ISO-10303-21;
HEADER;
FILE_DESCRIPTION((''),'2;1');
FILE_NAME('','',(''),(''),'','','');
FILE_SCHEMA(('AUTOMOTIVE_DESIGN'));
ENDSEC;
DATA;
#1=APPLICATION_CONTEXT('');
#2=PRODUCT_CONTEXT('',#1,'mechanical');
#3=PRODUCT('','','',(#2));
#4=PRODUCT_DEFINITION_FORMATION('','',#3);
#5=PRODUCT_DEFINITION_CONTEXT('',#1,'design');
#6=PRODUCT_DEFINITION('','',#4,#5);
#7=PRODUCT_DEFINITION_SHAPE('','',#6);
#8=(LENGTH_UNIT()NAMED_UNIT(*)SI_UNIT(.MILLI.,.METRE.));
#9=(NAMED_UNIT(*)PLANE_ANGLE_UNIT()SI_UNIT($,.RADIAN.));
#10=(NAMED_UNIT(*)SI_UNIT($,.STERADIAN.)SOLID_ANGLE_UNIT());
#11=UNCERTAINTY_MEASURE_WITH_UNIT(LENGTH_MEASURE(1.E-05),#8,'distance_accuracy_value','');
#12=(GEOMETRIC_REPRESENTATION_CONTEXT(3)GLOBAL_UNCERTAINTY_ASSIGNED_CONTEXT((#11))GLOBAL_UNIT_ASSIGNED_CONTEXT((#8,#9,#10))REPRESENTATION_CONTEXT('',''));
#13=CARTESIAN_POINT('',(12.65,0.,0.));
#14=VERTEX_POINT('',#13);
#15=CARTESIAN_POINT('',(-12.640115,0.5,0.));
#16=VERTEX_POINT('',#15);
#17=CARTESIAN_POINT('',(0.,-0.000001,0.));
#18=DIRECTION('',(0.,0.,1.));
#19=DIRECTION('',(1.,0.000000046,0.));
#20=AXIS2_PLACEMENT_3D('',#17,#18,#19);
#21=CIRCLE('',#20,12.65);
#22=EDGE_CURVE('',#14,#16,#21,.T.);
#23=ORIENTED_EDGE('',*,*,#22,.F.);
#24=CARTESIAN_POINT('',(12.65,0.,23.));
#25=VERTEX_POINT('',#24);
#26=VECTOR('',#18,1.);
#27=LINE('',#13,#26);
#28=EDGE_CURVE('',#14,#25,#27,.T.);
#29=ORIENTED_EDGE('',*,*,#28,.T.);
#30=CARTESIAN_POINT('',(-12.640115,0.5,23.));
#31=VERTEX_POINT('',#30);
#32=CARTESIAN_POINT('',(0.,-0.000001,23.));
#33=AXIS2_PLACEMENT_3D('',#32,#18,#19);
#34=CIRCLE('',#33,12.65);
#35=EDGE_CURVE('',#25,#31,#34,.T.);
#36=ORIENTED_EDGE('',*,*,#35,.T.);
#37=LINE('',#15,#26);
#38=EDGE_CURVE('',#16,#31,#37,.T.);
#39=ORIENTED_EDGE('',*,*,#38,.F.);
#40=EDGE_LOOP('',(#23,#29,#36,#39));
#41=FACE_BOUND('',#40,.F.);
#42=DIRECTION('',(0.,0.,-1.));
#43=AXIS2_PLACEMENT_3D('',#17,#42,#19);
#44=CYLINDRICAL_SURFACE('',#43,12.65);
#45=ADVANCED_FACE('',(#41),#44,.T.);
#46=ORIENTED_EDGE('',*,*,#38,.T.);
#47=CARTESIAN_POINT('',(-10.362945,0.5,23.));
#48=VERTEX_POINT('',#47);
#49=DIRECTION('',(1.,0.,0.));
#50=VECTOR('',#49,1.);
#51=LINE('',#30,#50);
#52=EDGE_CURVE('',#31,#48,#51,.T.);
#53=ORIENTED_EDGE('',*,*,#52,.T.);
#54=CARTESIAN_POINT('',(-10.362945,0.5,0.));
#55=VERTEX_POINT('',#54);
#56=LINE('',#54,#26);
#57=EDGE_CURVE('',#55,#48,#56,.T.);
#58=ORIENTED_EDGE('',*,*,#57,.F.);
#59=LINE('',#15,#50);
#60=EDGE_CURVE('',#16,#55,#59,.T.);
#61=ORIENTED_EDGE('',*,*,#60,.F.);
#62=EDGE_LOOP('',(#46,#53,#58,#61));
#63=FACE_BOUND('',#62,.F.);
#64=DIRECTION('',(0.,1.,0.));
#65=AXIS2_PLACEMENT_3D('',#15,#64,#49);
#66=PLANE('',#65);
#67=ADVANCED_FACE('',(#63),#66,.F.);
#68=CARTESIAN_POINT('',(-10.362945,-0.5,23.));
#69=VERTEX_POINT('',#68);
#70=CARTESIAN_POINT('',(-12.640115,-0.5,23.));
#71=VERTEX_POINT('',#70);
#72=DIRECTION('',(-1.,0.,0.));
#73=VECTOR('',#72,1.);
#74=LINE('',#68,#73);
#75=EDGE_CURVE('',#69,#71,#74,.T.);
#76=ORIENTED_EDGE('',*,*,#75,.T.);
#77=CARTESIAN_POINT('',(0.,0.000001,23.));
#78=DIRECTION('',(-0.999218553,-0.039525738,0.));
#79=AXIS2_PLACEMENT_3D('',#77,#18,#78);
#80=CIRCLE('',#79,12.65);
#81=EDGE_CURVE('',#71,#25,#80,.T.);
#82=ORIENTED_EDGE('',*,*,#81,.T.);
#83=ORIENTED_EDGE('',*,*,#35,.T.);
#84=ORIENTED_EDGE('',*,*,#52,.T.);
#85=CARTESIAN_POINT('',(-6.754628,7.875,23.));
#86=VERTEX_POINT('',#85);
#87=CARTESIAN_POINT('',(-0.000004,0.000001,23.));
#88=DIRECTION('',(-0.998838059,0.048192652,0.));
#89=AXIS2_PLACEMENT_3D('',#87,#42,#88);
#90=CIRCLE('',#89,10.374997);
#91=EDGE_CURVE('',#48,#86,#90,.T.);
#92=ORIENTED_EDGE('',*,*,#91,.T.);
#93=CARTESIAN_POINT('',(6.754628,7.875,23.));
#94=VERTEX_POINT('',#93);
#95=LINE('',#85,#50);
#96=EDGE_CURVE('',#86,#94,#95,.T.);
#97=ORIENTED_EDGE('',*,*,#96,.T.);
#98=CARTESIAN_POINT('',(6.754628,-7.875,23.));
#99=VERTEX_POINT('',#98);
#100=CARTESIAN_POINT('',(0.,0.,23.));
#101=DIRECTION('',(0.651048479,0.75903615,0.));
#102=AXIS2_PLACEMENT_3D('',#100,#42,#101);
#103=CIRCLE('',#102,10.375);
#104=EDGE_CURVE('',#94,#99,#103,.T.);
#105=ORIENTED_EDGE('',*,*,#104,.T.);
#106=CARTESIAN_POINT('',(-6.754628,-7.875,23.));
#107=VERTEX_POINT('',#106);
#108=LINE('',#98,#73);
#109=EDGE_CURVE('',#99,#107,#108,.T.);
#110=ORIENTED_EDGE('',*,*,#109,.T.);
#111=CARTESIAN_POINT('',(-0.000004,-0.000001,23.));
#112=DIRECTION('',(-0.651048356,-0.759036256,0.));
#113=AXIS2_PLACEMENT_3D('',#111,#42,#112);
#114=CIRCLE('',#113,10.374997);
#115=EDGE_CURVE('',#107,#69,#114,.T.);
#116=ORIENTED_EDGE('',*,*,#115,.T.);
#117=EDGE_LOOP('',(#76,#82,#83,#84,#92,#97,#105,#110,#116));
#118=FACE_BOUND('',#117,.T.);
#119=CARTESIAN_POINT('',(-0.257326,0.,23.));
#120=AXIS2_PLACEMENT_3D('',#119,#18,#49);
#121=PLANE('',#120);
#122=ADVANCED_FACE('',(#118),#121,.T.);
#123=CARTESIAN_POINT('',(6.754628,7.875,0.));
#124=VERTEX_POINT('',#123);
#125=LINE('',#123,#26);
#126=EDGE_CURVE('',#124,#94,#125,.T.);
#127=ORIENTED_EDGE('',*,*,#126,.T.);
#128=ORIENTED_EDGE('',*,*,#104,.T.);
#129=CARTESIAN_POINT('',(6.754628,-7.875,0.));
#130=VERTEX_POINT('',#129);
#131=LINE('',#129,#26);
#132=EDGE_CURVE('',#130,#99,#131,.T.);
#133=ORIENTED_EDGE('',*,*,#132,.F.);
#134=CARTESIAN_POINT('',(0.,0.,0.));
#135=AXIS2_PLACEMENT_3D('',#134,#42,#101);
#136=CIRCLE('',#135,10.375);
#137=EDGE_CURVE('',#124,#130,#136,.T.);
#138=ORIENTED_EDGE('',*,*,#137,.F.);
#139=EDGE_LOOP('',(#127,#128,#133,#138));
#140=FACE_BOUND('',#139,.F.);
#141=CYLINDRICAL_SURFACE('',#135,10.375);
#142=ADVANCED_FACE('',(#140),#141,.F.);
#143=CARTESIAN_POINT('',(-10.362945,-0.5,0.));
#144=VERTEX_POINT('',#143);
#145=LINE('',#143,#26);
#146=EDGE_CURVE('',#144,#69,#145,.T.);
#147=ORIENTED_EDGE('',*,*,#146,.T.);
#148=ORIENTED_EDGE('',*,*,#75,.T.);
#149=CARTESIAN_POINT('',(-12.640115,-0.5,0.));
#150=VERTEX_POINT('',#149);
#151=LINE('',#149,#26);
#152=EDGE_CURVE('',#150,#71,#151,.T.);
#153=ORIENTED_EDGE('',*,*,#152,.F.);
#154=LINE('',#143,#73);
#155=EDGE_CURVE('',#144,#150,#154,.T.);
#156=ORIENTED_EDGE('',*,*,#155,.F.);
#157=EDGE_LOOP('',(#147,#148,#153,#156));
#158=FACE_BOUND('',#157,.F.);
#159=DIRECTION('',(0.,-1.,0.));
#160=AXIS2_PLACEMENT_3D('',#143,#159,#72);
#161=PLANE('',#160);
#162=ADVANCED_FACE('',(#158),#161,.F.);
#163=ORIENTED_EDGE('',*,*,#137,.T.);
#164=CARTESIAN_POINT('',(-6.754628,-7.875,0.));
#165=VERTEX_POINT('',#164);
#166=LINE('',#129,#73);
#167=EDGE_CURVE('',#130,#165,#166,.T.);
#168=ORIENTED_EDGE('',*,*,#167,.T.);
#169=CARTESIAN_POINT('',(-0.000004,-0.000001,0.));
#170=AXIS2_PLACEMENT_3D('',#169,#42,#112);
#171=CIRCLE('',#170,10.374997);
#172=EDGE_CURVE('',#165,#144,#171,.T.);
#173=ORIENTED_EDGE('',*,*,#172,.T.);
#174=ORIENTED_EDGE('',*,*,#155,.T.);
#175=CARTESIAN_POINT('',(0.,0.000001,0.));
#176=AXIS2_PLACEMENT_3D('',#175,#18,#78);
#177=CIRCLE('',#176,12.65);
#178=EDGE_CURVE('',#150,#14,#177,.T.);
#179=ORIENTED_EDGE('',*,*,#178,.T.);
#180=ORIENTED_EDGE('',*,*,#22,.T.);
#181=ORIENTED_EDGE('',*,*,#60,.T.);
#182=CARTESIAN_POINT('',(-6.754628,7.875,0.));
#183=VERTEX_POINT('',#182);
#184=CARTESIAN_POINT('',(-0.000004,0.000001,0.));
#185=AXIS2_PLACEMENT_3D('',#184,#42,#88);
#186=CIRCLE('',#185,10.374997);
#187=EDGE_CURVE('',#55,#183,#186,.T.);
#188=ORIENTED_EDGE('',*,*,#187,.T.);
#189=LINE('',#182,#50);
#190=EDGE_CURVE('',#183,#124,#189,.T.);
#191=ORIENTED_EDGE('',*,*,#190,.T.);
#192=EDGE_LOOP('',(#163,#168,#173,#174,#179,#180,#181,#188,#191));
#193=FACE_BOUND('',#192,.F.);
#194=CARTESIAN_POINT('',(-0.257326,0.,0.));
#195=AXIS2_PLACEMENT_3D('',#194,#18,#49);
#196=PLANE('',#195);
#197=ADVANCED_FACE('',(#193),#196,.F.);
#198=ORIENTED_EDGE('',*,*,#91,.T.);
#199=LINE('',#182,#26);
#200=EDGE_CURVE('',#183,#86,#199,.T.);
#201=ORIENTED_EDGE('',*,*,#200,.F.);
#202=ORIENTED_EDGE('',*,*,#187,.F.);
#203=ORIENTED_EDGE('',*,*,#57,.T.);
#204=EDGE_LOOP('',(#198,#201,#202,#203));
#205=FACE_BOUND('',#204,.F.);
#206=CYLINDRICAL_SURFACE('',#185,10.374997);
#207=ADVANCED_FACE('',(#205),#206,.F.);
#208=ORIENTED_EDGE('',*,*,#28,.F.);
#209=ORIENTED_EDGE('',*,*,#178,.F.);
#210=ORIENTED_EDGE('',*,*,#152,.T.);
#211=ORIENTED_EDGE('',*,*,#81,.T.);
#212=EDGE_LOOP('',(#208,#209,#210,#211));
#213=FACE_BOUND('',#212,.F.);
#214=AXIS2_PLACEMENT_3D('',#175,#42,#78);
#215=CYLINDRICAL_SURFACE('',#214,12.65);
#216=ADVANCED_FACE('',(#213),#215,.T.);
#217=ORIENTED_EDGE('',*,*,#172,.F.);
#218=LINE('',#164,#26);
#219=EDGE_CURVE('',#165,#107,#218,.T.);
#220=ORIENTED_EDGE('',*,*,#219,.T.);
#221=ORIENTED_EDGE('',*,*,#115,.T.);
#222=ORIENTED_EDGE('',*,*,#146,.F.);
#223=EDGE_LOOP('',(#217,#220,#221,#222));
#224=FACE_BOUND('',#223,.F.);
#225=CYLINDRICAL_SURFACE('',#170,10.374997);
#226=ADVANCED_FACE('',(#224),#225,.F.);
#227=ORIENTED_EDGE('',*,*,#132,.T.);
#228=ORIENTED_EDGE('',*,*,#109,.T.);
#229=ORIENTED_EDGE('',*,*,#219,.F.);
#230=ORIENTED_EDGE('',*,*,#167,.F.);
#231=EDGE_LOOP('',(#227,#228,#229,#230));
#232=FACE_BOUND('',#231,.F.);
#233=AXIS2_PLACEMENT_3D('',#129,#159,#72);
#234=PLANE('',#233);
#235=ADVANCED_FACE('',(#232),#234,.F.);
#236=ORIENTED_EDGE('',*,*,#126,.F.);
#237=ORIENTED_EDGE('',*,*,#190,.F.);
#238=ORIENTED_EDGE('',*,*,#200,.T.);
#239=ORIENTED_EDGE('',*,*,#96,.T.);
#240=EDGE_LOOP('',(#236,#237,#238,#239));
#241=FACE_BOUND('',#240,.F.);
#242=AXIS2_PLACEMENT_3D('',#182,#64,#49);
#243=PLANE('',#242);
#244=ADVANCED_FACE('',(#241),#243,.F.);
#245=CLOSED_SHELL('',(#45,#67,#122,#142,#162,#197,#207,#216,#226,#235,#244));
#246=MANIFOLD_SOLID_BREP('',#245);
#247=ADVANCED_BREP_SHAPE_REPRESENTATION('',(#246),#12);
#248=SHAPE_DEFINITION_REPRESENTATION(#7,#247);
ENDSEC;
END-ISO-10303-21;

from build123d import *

# Parameters (mm, degrees)
F1_DEPTH = 23


with BuildPart() as f1:
    # F0 (on Top) → F1 (new body)
    with BuildSketch(Plane.XY):
        with BuildLine():
            ThreePointArc((-12.640115, -0.5), (0.250049, -12.647528), (12.65, 0))
            ThreePointArc((12.65, 0), (0.250049, 12.647528), (-12.640115, 0.5))
            Line((-12.640115, 0.5), (-10.362945, 0.5))
            ThreePointArc((-10.362945, 0.5), (-9.319361, 4.559621), (-6.754628, 7.875))
            Line((-6.754628, 7.875), (6.754628, 7.875))
            ThreePointArc((6.754628, 7.875), (10.375, 0), (6.754628, -7.875))
            Line((6.754628, -7.875), (-6.754628, -7.875))
            ThreePointArc((-6.754628, -7.875), (-9.319361, -4.559621), (-10.362945, -0.5))
            Line((-10.362945, -0.5), (-12.640115, -0.5))
        make_face()
    extrude(amount=F1_DEPTH)


solid = f1.part
